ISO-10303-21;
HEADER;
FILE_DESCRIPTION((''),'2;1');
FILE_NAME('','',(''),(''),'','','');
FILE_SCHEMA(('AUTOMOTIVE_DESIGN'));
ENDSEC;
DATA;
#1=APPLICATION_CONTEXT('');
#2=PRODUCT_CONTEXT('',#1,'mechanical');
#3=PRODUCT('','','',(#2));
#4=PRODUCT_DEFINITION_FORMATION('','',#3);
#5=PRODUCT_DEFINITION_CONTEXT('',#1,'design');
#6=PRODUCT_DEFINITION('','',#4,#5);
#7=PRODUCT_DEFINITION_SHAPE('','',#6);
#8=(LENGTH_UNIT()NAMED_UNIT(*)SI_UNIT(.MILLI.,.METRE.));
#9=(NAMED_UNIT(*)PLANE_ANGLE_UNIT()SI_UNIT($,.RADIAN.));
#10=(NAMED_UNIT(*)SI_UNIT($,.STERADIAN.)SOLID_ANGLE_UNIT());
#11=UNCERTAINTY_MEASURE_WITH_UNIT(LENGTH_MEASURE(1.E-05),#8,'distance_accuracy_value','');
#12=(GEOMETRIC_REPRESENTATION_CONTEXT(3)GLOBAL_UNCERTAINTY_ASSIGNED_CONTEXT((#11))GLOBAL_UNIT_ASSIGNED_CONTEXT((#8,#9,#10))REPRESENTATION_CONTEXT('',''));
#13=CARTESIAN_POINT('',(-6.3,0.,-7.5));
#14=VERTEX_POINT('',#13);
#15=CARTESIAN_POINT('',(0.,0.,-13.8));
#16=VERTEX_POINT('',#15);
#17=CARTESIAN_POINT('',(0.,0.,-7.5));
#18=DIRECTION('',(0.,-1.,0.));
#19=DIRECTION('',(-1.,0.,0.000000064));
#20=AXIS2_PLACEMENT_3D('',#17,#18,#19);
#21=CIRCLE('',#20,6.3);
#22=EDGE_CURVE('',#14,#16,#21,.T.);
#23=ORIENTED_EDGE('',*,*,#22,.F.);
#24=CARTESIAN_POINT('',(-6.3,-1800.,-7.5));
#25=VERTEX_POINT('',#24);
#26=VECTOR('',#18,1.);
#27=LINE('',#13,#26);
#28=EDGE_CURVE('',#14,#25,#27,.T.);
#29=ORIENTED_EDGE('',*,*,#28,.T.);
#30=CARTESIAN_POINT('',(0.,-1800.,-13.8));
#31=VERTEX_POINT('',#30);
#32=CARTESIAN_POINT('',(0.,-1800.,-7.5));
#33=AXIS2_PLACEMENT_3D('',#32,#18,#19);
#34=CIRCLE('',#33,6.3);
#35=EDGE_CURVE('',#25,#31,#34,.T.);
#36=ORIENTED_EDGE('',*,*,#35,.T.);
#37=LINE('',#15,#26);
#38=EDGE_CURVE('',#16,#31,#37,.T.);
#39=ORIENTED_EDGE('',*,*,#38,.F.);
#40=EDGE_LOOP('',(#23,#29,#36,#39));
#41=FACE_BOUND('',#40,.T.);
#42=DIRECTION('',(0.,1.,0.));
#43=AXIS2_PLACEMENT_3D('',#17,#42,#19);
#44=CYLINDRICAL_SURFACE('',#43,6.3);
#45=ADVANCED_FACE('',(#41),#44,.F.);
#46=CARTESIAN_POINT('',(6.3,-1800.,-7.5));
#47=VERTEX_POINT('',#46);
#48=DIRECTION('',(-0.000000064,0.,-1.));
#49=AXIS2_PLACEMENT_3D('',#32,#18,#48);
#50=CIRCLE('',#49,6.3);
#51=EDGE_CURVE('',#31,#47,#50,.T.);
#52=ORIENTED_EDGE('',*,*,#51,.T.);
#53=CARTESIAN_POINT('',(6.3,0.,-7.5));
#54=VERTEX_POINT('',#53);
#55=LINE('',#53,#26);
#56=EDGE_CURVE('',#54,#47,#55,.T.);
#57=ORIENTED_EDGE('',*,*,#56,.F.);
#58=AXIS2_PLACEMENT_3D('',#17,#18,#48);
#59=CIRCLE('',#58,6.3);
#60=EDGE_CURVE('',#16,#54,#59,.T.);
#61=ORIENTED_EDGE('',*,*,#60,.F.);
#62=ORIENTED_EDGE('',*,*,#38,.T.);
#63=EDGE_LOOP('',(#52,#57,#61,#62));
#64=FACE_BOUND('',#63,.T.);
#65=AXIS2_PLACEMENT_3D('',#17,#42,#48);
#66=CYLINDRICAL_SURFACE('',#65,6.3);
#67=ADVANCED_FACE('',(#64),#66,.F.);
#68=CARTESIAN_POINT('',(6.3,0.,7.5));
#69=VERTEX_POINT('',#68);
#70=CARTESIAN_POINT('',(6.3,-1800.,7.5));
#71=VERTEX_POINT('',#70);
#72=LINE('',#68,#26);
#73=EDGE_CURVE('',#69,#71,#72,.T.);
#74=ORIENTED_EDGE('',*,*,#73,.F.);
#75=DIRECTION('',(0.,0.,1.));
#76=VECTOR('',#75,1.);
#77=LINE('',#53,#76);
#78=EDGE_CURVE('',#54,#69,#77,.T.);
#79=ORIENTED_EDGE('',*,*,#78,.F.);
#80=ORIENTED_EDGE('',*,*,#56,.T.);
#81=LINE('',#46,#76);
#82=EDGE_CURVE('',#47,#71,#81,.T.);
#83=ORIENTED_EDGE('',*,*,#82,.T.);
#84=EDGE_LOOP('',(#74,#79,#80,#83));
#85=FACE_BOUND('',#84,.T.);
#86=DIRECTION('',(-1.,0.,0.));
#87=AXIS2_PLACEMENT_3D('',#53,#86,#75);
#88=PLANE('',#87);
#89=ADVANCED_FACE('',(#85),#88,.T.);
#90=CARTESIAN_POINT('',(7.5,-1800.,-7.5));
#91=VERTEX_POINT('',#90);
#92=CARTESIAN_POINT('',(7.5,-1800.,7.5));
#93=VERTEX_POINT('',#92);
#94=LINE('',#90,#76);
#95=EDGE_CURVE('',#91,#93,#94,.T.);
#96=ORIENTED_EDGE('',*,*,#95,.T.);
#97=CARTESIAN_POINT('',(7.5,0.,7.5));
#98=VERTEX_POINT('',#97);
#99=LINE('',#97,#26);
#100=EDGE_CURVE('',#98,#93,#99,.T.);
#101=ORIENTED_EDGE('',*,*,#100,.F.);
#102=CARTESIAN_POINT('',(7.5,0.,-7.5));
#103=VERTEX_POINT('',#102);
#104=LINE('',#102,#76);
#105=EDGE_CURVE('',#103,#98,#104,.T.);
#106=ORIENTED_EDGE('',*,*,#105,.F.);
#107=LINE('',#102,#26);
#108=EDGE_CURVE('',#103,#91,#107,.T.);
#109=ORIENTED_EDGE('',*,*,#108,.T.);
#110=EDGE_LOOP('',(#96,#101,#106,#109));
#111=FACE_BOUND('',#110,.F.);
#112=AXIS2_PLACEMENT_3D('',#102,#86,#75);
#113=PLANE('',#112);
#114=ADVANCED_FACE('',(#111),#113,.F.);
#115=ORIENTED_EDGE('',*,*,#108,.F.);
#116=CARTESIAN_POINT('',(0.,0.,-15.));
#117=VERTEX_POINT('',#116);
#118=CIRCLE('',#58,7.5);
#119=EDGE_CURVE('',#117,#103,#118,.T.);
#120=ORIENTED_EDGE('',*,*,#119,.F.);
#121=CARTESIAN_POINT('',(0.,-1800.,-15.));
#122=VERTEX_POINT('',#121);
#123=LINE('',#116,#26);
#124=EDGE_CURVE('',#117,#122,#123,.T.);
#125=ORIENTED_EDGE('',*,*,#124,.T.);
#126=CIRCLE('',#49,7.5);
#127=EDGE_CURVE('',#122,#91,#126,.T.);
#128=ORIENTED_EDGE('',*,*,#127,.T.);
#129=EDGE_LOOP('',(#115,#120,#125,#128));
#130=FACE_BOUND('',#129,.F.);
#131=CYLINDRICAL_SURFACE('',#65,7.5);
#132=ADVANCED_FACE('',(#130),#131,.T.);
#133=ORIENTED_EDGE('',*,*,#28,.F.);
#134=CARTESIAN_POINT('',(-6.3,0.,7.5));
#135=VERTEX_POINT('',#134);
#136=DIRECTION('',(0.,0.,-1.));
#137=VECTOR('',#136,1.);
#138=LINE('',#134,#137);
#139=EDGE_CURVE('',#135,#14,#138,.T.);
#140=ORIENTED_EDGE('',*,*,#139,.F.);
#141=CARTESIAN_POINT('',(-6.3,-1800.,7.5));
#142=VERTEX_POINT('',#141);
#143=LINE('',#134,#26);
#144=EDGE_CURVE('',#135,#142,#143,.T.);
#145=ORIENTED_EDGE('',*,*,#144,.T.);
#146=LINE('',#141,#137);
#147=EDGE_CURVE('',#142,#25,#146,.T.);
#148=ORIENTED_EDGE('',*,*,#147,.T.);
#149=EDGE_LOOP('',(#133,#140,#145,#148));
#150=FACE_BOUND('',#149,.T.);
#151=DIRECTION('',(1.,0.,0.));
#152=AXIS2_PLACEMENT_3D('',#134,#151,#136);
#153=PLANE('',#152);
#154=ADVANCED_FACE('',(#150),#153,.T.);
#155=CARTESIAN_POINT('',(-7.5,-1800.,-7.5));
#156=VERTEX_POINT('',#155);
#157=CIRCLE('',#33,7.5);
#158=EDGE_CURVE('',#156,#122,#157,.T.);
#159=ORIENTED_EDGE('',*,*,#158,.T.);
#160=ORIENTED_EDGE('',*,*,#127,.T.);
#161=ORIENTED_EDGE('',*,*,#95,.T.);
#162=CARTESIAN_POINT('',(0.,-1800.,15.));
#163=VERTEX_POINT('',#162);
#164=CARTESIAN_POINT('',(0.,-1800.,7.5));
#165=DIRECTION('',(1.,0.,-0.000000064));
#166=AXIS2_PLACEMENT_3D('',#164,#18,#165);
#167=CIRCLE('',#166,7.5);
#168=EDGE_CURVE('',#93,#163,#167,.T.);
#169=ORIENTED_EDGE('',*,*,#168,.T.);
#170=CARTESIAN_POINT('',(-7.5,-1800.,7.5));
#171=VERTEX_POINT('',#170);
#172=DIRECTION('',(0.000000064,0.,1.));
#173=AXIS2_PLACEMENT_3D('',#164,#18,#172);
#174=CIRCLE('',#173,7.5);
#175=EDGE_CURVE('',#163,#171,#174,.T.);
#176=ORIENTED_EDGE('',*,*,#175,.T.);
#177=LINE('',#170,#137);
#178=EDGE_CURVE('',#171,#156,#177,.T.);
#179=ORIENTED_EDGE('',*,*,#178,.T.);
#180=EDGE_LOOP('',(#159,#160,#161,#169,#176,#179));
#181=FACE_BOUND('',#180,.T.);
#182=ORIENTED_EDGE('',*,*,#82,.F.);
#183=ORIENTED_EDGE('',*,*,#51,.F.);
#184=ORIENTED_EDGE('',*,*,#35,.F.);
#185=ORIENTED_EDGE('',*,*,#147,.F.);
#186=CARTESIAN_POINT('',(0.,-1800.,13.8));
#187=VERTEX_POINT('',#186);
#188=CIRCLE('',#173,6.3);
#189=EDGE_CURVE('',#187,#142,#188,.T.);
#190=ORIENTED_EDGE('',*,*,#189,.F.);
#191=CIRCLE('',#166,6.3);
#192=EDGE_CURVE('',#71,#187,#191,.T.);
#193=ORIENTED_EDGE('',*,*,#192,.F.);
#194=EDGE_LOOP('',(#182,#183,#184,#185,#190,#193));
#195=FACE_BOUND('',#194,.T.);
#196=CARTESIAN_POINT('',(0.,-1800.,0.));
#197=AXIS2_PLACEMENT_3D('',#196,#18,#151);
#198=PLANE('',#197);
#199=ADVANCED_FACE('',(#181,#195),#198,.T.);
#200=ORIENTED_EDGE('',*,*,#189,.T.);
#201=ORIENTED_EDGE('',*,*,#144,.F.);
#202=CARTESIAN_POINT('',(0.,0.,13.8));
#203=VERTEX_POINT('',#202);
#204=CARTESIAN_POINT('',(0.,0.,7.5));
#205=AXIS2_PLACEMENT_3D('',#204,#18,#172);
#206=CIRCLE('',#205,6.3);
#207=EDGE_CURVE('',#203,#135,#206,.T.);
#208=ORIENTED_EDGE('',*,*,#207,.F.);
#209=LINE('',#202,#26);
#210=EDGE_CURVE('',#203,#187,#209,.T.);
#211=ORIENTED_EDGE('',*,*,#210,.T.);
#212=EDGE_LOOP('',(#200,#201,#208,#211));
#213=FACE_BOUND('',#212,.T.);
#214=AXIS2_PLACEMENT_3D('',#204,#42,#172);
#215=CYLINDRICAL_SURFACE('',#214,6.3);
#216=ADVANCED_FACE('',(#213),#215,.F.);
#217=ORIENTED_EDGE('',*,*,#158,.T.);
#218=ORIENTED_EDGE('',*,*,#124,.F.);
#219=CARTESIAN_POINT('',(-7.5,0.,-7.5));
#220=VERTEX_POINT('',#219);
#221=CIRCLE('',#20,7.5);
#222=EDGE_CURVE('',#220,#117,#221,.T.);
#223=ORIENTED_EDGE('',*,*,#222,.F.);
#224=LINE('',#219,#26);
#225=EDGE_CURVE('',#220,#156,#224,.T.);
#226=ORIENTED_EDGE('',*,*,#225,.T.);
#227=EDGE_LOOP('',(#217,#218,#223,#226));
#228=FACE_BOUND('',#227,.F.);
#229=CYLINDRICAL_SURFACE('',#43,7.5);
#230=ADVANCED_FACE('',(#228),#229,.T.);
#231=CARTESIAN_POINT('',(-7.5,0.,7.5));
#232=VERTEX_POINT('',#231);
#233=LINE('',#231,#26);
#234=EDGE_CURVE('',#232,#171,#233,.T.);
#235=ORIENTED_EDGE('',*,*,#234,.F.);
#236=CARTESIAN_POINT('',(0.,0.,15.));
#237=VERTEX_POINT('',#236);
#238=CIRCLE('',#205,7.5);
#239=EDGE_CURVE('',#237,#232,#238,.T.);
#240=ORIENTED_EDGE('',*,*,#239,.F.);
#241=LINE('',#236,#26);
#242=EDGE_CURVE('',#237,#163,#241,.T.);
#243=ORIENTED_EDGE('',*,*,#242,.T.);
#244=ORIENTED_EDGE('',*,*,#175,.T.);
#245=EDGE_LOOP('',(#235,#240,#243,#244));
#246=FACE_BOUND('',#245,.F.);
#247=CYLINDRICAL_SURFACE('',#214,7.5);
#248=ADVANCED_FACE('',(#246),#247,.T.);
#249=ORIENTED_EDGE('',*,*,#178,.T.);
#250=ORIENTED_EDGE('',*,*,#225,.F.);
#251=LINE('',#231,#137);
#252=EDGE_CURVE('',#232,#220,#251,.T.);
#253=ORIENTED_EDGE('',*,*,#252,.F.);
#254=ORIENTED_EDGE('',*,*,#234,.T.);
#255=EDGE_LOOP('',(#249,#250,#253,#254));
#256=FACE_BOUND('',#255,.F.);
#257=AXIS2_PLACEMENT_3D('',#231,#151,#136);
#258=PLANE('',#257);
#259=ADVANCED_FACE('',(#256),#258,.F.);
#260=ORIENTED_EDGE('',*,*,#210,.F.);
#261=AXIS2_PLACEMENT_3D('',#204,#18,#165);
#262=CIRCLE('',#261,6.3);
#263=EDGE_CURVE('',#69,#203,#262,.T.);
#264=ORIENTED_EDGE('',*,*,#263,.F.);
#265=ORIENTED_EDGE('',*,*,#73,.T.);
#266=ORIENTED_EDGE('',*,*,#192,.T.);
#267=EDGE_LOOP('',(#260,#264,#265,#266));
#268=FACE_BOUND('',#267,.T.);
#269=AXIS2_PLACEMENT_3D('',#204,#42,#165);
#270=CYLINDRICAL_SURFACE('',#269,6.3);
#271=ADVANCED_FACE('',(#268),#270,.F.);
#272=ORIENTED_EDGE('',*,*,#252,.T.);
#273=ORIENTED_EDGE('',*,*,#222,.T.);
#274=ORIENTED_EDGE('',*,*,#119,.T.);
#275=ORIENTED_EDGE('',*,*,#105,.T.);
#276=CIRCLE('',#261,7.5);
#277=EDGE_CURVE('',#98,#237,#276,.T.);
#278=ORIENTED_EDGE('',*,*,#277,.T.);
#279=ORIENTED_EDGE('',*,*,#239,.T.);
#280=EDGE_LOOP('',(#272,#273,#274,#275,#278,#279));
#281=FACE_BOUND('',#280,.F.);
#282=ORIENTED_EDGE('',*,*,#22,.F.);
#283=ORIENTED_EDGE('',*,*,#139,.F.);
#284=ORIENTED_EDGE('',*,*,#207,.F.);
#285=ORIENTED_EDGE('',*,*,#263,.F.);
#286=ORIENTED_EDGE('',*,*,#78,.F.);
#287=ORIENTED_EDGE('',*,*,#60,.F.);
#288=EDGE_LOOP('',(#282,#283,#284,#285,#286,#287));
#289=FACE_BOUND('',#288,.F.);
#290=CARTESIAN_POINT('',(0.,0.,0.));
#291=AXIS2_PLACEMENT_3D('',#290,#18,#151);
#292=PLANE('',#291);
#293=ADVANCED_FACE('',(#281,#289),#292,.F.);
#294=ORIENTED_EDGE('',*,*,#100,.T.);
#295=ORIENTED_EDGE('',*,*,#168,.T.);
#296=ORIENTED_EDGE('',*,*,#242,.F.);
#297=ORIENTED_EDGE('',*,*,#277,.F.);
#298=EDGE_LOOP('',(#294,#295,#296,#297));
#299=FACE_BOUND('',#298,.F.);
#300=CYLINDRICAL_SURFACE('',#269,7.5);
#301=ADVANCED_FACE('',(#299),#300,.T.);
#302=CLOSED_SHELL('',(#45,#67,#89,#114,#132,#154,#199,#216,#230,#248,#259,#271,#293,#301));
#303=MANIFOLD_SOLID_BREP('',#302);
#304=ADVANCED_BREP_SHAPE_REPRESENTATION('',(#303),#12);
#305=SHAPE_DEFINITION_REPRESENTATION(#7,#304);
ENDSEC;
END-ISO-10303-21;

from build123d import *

# Parameters (mm, degrees)
F1_DEPTH = 1800
F2_T     = -1.2


with BuildPart() as f1:
    # F0 (on Front) → F1 (new body)
    with BuildSketch(Plane.XZ):
        with BuildLine():
            ThreePointArc((0, 15), (-5.303301, 12.803301), (-7.5, 7.5))
            Line((-7.5, 7.5), (-7.5, -7.5))
            ThreePointArc((-7.5, -7.5), (-5.303301, -12.803301), (0, -15))
            ThreePointArc((0, -15), (5.303301, -12.803301), (7.5, -7.5))
            Line((7.5, -7.5), (7.5, 7.5))
            ThreePointArc((7.5, 7.5), (5.303301, 12.803301), (0, 15))
        make_face()
    extrude(amount=F1_DEPTH)

    # F2
    f2_openings = [f1.faces().sort_by_distance(p)[0] for p in [
        (0, -1800, 0),
        (0, 0, 0),
    ]]
    offset(amount=F2_T, openings=f2_openings)


solid = f1.part
